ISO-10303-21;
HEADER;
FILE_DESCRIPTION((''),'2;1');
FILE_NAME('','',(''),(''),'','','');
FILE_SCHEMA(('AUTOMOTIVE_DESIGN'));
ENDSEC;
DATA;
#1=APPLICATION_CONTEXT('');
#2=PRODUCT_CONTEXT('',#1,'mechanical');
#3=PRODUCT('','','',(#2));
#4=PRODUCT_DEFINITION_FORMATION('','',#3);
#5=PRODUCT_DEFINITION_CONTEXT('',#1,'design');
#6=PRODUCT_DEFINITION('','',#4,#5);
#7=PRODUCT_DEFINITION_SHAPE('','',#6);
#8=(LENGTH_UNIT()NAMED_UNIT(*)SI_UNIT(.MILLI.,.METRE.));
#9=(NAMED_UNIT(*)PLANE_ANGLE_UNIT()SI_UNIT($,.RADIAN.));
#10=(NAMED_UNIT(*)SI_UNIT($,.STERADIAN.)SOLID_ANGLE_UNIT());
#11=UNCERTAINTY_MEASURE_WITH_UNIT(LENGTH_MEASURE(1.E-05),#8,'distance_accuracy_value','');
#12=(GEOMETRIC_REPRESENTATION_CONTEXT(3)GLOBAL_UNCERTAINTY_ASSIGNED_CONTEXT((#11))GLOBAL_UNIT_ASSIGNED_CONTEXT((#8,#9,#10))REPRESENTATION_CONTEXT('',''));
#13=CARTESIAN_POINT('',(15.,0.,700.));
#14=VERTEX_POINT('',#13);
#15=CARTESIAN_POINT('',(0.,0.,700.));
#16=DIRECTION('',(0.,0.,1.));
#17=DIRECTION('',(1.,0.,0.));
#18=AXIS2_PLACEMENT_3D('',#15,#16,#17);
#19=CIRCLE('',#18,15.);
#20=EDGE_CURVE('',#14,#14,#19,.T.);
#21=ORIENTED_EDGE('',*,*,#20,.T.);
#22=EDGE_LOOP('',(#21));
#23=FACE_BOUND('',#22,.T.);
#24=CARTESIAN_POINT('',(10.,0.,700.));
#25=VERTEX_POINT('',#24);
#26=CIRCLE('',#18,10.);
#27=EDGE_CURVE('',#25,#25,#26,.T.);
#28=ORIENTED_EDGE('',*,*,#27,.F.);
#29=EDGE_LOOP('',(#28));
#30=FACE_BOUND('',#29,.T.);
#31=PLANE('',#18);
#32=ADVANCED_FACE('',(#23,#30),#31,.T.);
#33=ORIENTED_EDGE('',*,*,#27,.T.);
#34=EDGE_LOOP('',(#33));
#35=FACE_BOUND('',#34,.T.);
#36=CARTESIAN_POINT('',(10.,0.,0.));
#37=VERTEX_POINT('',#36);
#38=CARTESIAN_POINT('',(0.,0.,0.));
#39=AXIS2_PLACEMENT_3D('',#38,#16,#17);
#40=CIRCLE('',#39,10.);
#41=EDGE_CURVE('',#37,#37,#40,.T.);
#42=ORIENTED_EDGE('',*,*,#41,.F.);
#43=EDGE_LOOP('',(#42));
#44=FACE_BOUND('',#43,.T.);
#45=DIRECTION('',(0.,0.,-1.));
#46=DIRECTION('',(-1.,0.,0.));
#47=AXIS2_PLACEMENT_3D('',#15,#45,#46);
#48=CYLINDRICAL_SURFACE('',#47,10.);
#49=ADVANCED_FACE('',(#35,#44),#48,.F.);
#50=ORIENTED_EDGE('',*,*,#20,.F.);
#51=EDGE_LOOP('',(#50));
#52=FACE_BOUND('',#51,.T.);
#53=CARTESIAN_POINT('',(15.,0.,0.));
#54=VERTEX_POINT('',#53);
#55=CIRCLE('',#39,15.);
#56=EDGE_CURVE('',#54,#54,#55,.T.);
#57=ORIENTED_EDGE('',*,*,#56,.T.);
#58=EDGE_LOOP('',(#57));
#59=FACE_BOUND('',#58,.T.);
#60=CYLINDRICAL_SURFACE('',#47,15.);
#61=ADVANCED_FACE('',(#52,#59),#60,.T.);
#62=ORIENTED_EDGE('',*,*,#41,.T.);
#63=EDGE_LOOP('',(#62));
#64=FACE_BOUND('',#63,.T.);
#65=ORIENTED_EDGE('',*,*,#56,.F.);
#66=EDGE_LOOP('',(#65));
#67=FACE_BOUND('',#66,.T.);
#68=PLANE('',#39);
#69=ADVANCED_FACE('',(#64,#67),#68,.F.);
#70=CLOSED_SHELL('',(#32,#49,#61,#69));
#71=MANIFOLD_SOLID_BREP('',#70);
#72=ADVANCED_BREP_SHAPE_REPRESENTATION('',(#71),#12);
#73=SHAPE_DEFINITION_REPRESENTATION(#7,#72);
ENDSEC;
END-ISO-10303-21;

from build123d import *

# Parameters (mm, degrees)
F_1_FR_R        = 15
F_1_FR_R_2      = 10
EXTRUDE_1_DEPTH = 700


with BuildPart() as part:
    # Эскиз1_fr → Бобышка-Вытянуть1 (new body)
    with BuildSketch(Plane.XY):
        Circle(F_1_FR_R)
        Circle(F_1_FR_R_2, mode=Mode.SUBTRACT)
    extrude(amount=EXTRUDE_1_DEPTH)


solid = part.part
